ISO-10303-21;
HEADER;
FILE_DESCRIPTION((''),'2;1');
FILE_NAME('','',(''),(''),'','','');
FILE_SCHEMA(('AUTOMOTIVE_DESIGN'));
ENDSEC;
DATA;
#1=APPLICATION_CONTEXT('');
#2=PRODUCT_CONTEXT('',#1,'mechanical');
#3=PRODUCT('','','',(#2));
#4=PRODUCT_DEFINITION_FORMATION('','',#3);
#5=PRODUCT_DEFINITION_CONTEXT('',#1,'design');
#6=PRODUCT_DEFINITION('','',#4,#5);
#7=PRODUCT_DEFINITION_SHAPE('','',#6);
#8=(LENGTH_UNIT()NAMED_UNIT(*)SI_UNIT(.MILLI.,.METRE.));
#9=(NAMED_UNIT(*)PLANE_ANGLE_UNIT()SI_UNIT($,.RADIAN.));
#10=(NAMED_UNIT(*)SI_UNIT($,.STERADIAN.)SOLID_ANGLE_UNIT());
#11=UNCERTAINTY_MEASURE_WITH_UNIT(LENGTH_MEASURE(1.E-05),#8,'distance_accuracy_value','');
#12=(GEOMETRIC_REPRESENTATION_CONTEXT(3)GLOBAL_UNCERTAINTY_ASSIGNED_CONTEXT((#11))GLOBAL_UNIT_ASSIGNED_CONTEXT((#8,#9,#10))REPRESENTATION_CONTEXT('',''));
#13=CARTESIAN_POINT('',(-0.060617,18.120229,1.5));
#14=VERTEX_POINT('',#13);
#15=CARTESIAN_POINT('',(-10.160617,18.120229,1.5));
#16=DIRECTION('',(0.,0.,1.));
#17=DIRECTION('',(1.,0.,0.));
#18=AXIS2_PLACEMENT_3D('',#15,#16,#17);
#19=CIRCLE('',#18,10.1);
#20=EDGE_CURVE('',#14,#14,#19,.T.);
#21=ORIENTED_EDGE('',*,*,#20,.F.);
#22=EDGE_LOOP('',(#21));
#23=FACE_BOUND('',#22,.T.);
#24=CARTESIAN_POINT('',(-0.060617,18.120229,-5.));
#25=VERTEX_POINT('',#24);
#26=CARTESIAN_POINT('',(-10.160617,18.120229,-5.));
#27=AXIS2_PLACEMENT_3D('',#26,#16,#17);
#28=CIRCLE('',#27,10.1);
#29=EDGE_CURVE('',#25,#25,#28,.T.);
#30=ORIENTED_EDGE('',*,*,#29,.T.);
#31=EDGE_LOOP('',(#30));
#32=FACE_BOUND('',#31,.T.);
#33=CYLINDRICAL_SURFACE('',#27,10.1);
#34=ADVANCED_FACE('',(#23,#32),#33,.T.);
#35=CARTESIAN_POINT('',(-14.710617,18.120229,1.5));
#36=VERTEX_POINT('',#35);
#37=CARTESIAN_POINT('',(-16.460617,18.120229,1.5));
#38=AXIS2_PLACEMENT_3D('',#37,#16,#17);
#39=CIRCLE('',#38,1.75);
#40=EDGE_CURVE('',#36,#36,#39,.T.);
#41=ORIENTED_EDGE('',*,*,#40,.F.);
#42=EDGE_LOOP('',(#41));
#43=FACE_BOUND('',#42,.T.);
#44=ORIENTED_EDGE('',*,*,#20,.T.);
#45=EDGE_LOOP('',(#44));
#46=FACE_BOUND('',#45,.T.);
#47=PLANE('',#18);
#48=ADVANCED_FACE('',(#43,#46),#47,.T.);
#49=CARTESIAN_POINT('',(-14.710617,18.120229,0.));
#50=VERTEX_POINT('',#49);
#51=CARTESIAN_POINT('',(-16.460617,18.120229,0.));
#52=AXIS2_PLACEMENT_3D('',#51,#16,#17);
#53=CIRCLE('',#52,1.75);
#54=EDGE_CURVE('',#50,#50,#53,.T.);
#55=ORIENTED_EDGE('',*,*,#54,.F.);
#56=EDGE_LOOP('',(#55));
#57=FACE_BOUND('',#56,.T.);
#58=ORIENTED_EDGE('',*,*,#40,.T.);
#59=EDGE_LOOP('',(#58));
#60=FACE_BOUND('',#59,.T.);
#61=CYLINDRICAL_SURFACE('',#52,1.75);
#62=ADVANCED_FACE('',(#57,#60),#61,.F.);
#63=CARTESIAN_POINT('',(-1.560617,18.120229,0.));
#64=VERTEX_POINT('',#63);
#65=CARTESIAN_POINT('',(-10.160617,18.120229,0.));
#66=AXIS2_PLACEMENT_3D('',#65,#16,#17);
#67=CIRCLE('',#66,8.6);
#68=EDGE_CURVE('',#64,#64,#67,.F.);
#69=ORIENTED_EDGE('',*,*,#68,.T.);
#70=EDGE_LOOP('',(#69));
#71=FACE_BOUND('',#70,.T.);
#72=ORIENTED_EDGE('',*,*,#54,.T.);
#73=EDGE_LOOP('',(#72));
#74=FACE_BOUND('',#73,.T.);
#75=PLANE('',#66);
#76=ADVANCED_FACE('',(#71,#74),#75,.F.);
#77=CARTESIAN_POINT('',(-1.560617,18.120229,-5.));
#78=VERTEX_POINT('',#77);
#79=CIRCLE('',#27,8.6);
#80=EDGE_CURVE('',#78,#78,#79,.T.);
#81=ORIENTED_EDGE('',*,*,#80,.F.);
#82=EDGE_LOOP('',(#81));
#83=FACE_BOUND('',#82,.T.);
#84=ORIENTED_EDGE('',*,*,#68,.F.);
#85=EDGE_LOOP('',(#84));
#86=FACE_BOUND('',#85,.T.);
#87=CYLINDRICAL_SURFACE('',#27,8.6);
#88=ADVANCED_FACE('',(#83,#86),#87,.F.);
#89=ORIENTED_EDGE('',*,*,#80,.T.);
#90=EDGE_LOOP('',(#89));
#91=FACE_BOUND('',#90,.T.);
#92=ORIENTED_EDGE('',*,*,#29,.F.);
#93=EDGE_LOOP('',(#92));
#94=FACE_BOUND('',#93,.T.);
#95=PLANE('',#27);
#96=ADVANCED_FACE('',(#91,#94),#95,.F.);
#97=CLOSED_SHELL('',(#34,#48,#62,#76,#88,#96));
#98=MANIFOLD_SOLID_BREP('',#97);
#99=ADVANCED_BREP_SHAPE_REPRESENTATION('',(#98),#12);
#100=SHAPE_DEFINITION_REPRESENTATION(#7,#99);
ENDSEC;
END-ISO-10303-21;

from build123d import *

# Parameters (mm, degrees)
BOSS_EXTRUDE1_DEPTH      = 1.5
BOSS_EXTRUDE1_DEPTH_BACK = 5
SKETCH1_R                = 10.1
SKETCH1_R_2              = 8.6
SKETCH2_R                = 10.1
BOSS_EXTRUDE2_DEPTH      = 1.5
SKETCH3_R                = 1.75
CUT_EXTRUDE1_DEPTH       = 1.5


with BuildPart() as part:
    # Sketch1 → Boss-Extrude1 (new, two sides: drawn at the far end of the back side and taken through both)
    with BuildSketch(Plane.XY.offset(-BOSS_EXTRUDE1_DEPTH_BACK)):
        with Locations((-10.160617153, 18.12022925)):
            Circle(SKETCH1_R)
        with Locations((-10.160617153, 18.12022925)):
            Circle(SKETCH1_R_2, mode=Mode.SUBTRACT)
    extrude(amount=BOSS_EXTRUDE1_DEPTH + BOSS_EXTRUDE1_DEPTH_BACK)

    # Sketch2 → Boss-Extrude2 (add)
    with BuildSketch(Plane.XY.offset(1.5)):
        with Locations((-10.160617153, 18.12022925)):
            Circle(SKETCH2_R)
    extrude(amount=-BOSS_EXTRUDE2_DEPTH)

    # Sketch3 → Cut-Extrude1 (cut)
    with BuildSketch(Plane.XY.offset(1.5)):
        with Locations((-16.460617153, 18.12022925)):
            Circle(SKETCH3_R)
    extrude(amount=-CUT_EXTRUDE1_DEPTH, mode=Mode.SUBTRACT)


solid = part.part
